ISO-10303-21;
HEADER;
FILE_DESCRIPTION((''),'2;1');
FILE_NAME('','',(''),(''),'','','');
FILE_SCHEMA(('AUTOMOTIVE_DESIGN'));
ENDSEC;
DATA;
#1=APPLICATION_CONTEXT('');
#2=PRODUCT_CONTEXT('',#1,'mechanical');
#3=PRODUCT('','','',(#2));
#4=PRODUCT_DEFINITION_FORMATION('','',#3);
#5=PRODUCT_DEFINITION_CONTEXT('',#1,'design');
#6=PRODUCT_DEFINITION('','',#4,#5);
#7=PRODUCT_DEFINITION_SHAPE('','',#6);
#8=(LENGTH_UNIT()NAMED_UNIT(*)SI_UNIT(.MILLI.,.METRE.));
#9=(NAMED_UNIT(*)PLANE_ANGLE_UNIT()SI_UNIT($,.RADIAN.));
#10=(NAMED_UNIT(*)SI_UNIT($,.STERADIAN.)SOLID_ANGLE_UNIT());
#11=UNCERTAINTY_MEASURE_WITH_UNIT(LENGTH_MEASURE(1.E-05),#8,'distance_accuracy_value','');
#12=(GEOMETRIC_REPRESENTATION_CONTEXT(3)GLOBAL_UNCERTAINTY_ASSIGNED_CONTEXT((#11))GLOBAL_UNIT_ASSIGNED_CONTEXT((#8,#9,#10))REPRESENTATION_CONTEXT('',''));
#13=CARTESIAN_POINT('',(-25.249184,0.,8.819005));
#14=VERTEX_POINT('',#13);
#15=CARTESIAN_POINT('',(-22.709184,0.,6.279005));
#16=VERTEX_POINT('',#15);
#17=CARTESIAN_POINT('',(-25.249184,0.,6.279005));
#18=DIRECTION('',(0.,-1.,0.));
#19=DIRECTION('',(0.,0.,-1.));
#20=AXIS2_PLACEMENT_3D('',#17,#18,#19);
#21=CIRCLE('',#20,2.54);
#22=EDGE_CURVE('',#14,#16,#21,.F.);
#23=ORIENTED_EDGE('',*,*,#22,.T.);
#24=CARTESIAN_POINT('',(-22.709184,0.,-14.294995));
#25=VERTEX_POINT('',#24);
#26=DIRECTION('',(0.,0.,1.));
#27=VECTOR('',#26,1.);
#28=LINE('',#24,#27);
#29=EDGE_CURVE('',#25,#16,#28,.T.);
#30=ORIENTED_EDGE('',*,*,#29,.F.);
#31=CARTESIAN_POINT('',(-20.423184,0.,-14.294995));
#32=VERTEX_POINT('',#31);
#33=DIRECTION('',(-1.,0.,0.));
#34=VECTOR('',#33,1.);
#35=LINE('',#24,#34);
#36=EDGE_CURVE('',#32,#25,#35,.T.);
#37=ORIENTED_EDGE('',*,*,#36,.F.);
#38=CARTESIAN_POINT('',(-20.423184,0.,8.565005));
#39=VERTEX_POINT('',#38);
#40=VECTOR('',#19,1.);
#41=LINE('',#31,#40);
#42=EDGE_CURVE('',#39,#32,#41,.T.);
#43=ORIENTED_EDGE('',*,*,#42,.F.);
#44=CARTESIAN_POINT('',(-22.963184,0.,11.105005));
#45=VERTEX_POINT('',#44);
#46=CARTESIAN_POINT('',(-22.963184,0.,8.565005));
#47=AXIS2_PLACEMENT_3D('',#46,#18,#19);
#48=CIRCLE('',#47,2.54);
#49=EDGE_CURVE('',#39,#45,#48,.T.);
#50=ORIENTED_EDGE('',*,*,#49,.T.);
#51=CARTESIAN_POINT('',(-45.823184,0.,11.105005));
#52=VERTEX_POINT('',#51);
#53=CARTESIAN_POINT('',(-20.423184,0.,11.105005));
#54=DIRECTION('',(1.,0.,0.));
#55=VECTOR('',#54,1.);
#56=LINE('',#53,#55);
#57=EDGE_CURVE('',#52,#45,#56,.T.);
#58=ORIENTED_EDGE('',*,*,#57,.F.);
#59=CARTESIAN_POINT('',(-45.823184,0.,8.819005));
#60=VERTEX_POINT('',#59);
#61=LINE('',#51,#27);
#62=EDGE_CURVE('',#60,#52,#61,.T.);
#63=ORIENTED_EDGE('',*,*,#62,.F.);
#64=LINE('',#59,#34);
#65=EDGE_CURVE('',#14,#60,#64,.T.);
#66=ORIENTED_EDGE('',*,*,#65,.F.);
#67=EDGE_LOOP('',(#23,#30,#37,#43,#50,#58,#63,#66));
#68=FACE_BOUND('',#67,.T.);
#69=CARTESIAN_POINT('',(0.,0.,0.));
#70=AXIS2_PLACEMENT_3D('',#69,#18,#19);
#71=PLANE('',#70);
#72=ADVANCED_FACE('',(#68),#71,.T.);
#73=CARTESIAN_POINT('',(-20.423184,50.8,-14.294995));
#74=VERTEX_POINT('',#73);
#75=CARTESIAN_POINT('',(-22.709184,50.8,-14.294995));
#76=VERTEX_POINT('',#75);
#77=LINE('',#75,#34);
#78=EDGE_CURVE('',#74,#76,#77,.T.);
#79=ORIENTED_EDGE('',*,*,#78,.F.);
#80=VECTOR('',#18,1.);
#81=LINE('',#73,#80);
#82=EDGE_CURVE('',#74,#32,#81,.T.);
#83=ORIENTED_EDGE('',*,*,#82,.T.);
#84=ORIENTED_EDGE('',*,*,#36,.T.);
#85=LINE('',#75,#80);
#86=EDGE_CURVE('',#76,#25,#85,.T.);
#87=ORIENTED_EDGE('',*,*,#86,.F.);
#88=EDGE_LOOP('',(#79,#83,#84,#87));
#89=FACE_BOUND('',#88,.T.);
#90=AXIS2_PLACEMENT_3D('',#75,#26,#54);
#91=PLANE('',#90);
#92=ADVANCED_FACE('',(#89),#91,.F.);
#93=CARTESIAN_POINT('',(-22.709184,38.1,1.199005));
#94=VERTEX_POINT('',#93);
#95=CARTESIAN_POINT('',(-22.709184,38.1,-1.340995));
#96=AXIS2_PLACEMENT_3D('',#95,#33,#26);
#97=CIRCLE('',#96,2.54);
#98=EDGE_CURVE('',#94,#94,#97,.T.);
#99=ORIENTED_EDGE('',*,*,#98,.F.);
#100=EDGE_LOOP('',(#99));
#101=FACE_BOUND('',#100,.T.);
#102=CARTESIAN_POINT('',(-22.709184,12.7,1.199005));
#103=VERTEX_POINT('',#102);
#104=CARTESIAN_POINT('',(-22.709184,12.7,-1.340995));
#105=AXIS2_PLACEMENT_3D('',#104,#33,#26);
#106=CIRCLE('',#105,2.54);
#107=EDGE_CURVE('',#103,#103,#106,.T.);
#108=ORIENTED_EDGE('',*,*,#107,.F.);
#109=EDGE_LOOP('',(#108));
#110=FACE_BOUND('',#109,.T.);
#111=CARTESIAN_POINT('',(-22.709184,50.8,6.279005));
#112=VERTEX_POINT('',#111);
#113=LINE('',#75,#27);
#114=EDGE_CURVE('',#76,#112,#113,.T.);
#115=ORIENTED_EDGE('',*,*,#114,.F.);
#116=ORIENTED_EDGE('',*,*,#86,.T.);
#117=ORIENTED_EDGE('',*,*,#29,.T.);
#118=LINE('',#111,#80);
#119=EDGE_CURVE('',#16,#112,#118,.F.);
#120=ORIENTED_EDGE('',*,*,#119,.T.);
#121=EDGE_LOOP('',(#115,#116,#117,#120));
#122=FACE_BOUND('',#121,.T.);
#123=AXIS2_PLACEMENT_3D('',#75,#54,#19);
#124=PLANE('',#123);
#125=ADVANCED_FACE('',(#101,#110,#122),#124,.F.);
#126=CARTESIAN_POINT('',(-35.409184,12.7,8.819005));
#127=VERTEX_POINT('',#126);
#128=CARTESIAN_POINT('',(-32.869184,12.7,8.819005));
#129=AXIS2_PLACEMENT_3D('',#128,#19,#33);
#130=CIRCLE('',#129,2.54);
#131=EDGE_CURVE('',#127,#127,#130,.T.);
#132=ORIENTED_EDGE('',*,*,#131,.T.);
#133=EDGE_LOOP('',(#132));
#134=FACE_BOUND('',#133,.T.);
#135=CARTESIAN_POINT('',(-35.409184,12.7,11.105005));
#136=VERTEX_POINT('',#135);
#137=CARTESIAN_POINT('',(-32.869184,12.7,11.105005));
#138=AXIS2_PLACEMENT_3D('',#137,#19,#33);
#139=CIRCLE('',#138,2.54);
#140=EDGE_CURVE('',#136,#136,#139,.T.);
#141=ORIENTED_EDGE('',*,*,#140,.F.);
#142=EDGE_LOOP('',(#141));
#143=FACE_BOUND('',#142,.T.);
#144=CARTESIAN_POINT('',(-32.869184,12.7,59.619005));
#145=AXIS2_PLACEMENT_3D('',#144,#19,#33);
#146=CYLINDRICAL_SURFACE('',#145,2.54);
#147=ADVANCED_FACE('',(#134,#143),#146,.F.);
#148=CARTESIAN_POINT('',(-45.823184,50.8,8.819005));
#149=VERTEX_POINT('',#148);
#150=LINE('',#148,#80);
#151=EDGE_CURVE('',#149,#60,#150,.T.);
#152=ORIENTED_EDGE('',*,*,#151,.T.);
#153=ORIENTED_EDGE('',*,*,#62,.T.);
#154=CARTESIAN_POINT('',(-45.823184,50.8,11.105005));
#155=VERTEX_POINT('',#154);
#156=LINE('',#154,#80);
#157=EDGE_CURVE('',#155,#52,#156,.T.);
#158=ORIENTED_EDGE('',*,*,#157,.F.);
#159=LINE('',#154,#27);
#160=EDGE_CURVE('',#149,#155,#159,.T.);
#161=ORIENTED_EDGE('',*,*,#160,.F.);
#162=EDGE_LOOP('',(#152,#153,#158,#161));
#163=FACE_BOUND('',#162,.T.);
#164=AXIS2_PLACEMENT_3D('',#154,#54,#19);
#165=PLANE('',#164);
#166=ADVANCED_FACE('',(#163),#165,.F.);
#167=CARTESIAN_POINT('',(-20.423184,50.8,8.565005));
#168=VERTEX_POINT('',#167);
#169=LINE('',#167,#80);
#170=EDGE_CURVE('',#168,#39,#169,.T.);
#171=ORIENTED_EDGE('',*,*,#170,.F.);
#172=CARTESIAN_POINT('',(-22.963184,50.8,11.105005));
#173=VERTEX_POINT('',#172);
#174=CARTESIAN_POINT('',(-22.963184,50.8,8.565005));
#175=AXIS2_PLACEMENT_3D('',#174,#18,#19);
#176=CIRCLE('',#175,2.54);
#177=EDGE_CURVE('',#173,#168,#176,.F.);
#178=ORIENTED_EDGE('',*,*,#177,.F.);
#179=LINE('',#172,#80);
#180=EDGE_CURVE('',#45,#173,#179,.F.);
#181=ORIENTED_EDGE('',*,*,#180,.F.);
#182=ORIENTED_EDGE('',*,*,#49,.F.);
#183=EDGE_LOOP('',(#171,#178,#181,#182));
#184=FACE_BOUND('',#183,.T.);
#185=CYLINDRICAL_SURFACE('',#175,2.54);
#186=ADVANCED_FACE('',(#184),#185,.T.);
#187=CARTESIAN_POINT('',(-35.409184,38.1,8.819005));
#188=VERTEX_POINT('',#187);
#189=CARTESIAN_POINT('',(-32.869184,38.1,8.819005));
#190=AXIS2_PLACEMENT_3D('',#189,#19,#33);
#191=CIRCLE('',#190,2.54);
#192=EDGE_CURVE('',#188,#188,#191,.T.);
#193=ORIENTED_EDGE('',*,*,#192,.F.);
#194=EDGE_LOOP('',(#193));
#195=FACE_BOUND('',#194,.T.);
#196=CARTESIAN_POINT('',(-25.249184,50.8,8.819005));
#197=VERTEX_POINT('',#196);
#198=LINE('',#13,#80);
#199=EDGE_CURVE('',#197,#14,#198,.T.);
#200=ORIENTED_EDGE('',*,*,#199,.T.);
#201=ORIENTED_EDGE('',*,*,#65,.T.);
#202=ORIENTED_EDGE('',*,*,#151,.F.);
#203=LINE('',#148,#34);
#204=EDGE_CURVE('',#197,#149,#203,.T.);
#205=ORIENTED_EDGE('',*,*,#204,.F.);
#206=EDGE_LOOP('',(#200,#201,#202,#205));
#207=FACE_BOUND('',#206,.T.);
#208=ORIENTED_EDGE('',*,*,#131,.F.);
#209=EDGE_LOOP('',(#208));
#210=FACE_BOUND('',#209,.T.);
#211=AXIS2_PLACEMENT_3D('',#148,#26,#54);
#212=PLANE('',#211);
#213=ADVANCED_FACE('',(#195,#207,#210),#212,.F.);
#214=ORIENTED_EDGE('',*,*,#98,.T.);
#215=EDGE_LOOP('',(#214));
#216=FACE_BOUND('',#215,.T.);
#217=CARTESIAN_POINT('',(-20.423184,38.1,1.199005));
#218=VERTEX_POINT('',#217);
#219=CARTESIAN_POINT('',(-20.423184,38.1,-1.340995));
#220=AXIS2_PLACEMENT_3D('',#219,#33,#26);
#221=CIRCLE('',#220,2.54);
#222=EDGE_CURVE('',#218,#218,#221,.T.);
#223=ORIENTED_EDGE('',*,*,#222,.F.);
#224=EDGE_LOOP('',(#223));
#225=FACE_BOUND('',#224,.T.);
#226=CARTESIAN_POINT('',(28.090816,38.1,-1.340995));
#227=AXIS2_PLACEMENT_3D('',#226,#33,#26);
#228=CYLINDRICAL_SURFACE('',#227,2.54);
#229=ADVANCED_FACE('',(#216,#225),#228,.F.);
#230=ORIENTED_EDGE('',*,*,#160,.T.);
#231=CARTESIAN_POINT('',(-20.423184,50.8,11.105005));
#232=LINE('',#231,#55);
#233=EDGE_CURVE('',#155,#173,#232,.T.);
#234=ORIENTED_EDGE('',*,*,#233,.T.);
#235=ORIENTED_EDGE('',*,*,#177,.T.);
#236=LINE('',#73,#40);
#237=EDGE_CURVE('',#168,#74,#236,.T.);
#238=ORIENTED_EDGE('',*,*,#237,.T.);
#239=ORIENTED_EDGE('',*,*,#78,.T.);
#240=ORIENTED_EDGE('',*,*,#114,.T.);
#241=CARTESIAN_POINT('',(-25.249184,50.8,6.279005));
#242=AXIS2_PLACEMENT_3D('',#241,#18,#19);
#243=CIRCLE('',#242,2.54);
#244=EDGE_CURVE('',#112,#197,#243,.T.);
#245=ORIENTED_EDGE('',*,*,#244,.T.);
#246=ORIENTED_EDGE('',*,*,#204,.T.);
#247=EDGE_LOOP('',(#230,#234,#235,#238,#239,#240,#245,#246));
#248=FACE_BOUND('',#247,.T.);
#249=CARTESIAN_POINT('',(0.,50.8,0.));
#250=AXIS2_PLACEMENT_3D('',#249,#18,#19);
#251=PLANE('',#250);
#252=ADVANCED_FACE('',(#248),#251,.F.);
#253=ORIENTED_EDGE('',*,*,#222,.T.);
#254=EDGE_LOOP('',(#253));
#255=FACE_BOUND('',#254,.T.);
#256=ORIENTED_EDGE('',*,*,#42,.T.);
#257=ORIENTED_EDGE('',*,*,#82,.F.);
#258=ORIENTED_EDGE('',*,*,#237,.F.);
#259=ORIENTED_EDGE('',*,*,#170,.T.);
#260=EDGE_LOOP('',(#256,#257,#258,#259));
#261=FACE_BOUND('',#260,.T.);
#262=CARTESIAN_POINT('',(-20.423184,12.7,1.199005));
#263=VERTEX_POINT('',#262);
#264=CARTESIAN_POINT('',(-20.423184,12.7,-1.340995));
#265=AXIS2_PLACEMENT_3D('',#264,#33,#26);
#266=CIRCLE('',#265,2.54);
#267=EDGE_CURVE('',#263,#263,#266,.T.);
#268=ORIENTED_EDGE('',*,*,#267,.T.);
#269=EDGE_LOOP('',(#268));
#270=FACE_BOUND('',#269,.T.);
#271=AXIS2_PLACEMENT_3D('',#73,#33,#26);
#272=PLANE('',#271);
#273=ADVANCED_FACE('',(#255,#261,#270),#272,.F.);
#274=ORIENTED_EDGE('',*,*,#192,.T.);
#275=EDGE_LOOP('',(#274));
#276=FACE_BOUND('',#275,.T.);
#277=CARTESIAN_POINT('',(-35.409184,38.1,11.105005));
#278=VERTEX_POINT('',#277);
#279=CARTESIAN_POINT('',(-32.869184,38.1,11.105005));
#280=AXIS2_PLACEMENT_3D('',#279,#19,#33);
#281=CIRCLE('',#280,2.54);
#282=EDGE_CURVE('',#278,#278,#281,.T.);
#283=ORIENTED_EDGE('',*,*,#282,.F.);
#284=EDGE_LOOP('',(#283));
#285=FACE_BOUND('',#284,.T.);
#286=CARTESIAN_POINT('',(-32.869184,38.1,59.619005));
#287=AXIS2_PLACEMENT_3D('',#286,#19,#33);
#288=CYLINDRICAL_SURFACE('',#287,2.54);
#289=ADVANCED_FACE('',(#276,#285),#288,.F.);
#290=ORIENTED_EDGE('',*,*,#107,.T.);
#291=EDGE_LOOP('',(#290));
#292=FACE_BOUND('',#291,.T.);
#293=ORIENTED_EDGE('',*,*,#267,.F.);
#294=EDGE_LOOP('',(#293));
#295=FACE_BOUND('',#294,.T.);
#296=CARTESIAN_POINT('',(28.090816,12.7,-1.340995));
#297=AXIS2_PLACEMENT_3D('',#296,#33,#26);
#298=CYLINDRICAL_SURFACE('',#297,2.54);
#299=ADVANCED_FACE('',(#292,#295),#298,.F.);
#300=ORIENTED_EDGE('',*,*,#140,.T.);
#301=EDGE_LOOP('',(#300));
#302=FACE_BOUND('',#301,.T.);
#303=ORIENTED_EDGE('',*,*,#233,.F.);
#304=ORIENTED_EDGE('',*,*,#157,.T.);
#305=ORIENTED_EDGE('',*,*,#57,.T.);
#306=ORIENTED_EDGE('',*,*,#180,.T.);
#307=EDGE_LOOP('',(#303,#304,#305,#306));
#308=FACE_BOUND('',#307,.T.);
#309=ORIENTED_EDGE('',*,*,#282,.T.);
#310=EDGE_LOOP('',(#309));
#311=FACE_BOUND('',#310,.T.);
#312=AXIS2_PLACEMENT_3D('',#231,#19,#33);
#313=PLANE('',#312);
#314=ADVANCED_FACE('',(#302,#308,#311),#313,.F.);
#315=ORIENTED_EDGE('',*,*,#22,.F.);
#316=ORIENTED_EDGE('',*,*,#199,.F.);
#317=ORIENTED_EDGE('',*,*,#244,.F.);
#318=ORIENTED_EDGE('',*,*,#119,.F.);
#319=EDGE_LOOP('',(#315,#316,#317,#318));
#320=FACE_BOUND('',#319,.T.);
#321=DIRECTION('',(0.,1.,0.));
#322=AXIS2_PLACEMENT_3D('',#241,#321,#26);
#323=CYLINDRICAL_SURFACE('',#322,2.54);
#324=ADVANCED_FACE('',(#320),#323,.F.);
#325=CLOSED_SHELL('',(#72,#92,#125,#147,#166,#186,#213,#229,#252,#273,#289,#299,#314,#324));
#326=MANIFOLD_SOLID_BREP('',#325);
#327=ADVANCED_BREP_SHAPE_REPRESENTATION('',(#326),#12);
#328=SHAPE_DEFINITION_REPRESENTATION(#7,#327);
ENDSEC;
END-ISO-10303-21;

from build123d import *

# Parameters (mm, degrees)
BOSS_EXTRUDE1_DEPTH = 50.8
FILLET1_R           = 2.54
FILLET2_R           = 2.54
SKETCH7_R           = 2.54
CUT_EXTRUDE1_DEPTH  = 50.8
SKETCH3_R           = 2.54
CUT_EXTRUDE2_DEPTH  = 50.8


with BuildPart() as part:
    # Sketch2 → Boss-Extrude1 (new body)
    with BuildSketch(Plane(origin=(0, 0, 0), x_dir=(1, 0, 0), z_dir=(0, 1, 0))):
        Polygon((-22.709183551, 14.294994846), (-22.709183551, -8.819005154), (-45.823183551, -8.819005154), (-45.823183551, -11.105005154), (-20.423183551, -11.105005154), (-20.423183551, 14.294994846), align=None)
    extrude(amount=BOSS_EXTRUDE1_DEPTH)

    # Fillet1
    fillet1_edges = [part.edges().sort_by_distance(p)[0] for p in [
        (-22.709183551, 25.4, 8.819005154),
    ]]
    fillet(fillet1_edges, radius=FILLET1_R)

    # Fillet2
    fillet2_edges = [part.edges().sort_by_distance(p)[0] for p in [
        (-20.423183551, 25.4, 11.105005154),
    ]]
    fillet(fillet2_edges, radius=FILLET2_R)

    # Sketch7 → Cut-Extrude1 (cut)
    with BuildSketch(Plane(origin=(0, 0, 8.819005154), x_dir=(-1, 0, 0), z_dir=(0, 0, -1))):
        with Locations((32.869183551, 38.1)):
            Circle(SKETCH7_R)
        with Locations((32.869183551, 12.7)):
            Circle(SKETCH7_R)
    extrude(amount=-CUT_EXTRUDE1_DEPTH, mode=Mode.SUBTRACT)

    # Sketch3 → Cut-Extrude2 (cut)
    with BuildSketch(Plane.ZY.offset(22.709183551)):
        with Locations((-1.340994846, 12.7)):
            Circle(SKETCH3_R)
        with Locations((-1.340994846, 38.1)):
            Circle(SKETCH3_R)
    extrude(amount=-CUT_EXTRUDE2_DEPTH, mode=Mode.SUBTRACT)


solid = part.part
